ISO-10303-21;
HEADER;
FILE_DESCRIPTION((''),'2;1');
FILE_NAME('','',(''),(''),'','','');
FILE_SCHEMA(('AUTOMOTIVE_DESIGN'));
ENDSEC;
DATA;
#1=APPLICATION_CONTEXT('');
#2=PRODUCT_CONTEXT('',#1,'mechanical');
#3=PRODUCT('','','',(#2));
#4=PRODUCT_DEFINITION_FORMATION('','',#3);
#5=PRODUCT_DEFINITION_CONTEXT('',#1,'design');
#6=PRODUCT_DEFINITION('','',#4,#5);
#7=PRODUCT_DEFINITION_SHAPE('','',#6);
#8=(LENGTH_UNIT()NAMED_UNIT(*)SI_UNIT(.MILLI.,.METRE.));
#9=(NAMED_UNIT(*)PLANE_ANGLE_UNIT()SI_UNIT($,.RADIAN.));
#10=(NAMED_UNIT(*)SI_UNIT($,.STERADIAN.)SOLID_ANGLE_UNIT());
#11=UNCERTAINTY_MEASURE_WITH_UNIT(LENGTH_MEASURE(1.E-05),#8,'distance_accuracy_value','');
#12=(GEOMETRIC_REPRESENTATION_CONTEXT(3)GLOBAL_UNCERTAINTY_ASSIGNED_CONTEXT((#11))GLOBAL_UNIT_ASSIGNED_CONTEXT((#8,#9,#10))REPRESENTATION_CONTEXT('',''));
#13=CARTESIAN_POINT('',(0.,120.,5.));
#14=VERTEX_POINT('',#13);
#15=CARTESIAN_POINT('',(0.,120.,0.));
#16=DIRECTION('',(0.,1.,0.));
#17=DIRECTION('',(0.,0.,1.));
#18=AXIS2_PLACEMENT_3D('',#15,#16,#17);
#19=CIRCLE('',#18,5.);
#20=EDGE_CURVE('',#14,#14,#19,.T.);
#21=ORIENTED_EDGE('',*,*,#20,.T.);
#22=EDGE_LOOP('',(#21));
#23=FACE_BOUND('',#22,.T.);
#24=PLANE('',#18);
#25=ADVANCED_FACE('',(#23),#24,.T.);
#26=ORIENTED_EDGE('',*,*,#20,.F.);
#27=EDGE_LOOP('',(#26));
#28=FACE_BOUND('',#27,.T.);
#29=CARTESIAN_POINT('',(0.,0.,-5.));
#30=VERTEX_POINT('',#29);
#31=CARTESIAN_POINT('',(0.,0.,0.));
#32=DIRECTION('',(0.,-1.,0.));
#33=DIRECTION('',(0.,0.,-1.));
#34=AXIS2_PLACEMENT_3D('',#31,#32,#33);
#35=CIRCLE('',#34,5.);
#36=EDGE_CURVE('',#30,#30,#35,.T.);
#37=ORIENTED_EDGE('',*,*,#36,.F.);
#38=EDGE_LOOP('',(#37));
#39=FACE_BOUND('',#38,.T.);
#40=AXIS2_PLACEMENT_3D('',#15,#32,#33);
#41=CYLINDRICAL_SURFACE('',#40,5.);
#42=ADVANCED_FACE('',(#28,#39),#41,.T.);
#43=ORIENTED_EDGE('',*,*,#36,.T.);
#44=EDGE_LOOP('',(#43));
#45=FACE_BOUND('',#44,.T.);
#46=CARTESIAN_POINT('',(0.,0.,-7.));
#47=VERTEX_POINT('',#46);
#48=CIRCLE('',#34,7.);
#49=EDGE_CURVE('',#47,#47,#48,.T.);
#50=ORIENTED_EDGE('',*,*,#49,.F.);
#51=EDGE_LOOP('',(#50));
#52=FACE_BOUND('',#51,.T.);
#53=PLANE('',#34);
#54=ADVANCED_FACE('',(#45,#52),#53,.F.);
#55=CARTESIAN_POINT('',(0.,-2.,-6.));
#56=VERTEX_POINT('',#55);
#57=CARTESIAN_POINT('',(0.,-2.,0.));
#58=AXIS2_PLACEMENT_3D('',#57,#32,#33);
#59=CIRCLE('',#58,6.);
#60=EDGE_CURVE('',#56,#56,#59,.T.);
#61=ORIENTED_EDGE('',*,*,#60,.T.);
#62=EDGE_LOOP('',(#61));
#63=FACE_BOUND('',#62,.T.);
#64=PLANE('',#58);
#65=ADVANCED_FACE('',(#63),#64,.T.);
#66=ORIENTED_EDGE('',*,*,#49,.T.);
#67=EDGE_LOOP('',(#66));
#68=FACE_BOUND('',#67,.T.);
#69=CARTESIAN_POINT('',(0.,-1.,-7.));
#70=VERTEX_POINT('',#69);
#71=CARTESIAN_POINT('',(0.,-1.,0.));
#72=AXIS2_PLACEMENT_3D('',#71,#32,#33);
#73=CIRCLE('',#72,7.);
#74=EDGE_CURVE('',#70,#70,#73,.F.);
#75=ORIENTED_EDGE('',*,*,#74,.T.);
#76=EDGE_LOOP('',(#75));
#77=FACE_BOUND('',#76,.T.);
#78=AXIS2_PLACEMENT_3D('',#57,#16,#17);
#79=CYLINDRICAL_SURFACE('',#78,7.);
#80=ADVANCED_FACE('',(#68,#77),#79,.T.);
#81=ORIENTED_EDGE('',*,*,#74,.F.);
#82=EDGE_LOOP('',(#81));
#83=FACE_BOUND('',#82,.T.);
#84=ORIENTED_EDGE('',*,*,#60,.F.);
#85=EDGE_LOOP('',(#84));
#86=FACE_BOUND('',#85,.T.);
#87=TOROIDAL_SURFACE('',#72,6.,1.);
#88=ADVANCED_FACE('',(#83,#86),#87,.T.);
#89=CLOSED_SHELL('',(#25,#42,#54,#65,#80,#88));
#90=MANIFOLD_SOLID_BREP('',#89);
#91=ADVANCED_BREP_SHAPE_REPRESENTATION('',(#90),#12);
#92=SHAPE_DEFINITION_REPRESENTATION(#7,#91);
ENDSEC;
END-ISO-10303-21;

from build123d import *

# Parameters (mm, degrees)
SKETCH1_R           = 5
BOSS_EXTRUDE1_DEPTH = 120
SKETCH2_R           = 7
BOSS_EXTRUDE2_DEPTH = 2
FILLET1_R           = 1


with BuildPart() as part:
    # Sketch1 → Boss-Extrude1 (new body)
    with BuildSketch(Plane(origin=(0, 0, 0), x_dir=(1, 0, 0), z_dir=(0, 1, 0))):
        Circle(SKETCH1_R)
    extrude(amount=BOSS_EXTRUDE1_DEPTH)

    # Sketch2 → Boss-Extrude2 (add)
    with BuildSketch(Plane.XZ):
        Circle(SKETCH2_R)
    extrude(amount=BOSS_EXTRUDE2_DEPTH)

    # Fillet1
    fillet1_edges = [part.edges().sort_by_distance(p)[0] for p in [
        (-7, -2, 0),
    ]]
    fillet(fillet1_edges, radius=FILLET1_R)


solid = part.part
